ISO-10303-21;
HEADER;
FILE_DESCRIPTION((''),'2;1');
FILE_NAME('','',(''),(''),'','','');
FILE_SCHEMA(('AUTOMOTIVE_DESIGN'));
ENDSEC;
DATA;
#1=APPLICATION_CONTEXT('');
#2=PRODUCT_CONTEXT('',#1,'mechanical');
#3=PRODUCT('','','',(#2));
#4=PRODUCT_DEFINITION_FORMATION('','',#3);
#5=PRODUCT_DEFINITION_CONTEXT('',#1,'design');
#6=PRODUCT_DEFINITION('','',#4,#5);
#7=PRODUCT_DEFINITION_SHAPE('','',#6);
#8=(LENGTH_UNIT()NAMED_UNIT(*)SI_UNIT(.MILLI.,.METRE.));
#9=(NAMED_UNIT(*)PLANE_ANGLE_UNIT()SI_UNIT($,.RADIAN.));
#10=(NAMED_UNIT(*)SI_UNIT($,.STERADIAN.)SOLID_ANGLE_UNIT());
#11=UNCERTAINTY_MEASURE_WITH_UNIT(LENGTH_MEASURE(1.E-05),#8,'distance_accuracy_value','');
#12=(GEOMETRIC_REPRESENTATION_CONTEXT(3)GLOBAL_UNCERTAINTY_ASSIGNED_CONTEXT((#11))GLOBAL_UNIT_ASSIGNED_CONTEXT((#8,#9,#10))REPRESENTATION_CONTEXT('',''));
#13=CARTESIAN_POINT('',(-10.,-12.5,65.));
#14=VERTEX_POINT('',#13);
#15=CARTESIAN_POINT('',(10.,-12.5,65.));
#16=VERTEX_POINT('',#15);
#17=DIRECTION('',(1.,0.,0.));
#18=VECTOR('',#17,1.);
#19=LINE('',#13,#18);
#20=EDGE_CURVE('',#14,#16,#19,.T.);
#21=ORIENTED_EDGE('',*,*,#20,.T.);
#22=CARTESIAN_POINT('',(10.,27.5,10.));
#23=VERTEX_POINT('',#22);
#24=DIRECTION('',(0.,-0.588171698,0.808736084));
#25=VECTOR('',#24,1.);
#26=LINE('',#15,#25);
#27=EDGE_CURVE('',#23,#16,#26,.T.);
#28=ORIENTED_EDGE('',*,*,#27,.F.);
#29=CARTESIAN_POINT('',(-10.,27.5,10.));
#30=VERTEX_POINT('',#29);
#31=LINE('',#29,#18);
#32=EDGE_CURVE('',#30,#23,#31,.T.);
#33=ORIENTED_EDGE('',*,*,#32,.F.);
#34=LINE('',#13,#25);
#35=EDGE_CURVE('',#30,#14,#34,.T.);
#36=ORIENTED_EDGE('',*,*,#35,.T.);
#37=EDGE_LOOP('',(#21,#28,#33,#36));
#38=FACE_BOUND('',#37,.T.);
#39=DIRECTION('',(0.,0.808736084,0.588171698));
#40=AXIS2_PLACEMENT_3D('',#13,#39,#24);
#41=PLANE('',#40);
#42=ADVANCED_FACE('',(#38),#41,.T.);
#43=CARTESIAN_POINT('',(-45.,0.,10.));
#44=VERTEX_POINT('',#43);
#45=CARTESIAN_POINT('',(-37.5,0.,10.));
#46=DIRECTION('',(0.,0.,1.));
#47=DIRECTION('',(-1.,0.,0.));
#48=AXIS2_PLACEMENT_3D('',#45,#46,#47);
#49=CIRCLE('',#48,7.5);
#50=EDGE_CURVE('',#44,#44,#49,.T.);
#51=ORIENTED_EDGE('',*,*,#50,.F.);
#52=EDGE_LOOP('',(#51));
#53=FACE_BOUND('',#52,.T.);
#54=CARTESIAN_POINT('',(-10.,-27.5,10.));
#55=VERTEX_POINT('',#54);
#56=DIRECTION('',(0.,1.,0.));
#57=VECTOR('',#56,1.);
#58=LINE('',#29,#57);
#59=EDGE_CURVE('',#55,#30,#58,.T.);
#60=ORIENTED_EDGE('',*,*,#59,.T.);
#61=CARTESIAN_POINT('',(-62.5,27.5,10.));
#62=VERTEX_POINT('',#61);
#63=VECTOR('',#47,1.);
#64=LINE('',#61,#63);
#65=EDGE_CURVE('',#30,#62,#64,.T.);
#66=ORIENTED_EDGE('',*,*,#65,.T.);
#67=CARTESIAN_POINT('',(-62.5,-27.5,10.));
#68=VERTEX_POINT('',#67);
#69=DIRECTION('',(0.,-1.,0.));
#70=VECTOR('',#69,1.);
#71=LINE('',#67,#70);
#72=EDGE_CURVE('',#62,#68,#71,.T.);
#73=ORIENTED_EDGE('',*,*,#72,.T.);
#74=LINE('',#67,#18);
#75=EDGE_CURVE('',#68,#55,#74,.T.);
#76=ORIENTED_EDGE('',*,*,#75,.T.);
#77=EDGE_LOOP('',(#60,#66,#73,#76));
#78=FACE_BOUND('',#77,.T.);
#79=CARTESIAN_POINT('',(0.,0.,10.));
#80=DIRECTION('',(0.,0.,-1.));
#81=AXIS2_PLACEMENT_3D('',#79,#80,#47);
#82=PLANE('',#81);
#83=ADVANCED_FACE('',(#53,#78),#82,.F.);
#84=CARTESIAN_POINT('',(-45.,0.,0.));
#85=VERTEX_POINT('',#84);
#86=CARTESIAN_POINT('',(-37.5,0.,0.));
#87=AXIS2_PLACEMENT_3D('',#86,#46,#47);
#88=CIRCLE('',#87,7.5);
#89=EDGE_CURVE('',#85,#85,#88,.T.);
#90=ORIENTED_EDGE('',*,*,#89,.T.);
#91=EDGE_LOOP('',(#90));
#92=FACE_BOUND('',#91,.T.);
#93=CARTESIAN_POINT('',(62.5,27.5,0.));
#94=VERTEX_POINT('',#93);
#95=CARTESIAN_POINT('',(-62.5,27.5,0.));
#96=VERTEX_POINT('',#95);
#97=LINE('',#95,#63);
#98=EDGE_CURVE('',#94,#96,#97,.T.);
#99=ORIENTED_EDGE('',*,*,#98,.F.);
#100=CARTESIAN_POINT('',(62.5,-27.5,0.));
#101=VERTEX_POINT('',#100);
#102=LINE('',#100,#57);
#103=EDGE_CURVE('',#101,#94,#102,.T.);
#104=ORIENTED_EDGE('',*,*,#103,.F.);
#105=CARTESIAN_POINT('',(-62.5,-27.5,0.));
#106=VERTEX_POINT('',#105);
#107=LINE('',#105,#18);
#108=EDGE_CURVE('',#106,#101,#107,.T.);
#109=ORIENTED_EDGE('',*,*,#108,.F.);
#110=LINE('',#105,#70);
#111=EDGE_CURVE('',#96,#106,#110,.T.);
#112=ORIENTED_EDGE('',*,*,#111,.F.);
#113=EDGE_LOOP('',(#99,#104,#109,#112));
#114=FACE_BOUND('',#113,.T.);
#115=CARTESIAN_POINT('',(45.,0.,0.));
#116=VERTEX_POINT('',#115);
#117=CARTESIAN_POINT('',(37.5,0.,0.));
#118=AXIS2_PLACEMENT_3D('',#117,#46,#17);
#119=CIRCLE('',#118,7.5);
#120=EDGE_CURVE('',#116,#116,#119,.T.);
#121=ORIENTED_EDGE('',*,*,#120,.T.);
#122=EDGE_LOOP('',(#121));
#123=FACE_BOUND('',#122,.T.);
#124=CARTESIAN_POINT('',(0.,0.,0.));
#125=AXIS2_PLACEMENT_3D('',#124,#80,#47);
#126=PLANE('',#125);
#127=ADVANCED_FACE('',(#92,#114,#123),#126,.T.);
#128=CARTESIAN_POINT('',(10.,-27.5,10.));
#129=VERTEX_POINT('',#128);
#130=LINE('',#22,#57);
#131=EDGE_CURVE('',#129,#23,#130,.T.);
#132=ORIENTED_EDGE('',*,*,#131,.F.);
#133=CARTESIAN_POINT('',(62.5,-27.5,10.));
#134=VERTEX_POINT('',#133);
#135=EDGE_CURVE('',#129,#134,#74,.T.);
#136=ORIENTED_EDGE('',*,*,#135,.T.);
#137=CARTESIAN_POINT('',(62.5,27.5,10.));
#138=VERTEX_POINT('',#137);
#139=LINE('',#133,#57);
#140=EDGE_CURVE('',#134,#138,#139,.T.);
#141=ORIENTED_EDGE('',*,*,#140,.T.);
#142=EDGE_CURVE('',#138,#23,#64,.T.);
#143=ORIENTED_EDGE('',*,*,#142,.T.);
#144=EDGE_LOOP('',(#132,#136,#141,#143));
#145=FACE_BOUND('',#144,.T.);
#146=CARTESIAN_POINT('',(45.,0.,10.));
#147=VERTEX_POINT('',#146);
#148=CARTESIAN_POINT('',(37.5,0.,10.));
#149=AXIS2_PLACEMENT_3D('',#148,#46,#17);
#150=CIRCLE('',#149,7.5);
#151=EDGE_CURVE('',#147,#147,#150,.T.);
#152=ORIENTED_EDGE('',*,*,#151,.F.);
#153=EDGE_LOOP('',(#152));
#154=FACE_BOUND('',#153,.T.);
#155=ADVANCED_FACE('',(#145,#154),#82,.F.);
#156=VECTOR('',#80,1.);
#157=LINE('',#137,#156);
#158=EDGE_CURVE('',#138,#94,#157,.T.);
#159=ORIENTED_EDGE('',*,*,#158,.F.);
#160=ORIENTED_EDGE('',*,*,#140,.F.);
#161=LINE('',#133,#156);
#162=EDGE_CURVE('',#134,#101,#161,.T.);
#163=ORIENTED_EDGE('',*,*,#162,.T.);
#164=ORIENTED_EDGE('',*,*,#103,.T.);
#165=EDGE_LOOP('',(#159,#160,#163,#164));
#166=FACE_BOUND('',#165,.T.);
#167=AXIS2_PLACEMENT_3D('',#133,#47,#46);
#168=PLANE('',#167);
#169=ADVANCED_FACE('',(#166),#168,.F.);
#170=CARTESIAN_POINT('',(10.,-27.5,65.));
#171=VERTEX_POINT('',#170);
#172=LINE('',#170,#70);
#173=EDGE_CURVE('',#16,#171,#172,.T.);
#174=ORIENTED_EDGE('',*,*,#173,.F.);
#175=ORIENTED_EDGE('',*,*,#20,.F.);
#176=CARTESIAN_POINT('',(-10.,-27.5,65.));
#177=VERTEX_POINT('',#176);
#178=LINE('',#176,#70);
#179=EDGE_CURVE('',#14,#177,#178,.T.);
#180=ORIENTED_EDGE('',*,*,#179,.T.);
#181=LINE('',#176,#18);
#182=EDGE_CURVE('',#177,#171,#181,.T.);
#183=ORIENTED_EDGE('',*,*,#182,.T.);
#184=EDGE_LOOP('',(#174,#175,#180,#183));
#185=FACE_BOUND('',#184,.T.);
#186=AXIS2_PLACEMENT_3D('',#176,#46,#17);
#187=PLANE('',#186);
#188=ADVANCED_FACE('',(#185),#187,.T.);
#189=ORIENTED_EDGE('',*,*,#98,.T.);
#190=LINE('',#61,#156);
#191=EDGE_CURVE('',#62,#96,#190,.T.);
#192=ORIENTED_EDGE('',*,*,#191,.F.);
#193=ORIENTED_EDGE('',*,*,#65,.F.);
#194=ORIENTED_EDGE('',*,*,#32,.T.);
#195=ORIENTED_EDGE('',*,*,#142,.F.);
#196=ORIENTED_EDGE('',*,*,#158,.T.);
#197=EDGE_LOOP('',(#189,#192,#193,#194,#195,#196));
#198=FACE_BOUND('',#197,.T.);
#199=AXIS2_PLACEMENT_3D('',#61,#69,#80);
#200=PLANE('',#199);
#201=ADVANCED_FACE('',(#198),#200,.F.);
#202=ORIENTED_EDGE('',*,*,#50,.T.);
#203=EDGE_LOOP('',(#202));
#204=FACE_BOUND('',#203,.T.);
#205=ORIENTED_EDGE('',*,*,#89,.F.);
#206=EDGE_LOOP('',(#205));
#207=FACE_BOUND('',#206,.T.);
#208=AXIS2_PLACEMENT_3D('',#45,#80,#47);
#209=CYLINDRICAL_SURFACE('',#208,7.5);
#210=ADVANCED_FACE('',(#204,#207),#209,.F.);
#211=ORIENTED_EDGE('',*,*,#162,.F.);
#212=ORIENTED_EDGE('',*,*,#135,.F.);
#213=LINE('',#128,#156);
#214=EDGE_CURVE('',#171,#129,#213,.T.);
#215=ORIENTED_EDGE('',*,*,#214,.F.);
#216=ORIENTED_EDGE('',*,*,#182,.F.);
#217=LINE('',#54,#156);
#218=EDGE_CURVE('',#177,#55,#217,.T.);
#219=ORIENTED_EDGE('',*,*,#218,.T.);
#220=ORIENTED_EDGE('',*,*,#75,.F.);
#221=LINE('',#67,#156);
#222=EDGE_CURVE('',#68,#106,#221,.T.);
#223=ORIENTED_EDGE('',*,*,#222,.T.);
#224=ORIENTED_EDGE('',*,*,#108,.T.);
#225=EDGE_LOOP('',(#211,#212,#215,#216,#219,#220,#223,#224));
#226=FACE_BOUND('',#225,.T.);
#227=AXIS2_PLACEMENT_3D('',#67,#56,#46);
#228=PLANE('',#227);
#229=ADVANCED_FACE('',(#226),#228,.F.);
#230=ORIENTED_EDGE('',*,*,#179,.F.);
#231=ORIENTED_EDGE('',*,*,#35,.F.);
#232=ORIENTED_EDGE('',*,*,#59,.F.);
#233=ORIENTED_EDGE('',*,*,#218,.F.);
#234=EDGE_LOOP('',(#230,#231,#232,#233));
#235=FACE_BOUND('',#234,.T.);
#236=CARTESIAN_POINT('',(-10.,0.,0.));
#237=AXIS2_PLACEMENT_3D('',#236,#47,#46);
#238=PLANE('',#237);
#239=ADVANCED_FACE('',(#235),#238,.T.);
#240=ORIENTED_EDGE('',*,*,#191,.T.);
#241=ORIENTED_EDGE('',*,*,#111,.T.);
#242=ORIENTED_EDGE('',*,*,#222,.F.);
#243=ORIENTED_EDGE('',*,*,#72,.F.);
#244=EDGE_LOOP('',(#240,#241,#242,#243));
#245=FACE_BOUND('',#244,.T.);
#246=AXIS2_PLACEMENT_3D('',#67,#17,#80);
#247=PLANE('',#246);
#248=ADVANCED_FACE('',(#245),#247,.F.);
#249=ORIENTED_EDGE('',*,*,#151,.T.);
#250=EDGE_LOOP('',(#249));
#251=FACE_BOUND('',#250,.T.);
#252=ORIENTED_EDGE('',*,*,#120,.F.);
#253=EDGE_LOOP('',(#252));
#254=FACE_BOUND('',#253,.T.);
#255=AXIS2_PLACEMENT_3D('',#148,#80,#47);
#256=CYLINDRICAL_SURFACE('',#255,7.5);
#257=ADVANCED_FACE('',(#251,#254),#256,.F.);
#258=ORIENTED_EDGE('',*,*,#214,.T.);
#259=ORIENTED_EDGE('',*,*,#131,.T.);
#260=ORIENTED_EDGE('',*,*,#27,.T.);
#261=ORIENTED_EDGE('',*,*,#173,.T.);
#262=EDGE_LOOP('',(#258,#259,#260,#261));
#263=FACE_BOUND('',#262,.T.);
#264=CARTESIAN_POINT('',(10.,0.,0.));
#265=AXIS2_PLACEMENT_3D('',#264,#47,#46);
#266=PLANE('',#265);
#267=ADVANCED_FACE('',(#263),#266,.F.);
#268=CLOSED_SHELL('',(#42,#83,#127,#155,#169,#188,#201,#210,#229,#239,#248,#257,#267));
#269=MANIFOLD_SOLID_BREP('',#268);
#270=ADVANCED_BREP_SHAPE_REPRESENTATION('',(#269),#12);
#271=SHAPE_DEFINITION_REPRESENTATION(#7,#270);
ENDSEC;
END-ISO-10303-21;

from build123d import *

# Parameters (mm, degrees)
SKETCH1_W                = 125
SKETCH1_H                = 55
SKETCH1_R                = 7.5
BOSS_EXTRUDE1_DEPTH      = 10
BOSS_EXTRUDE2_DEPTH      = 10
BOSS_EXTRUDE2_DEPTH_BACK = 10


with BuildPart() as part:
    # Sketch1 → Boss-Extrude1 (new body)
    with BuildSketch(Plane.XY):
        Rectangle(SKETCH1_W, SKETCH1_H)
        with Locations((37.5, 0)):
            Circle(SKETCH1_R, mode=Mode.SUBTRACT)
        with Locations(Location((-37.5, 0, 0), (0, 0, 180))):
            Circle(SKETCH1_R, mode=Mode.SUBTRACT)
    extrude(amount=BOSS_EXTRUDE1_DEPTH)

    # Sketch2 → Boss-Extrude2 (add, two sides: drawn at the far end of the back side and taken through both)
    with BuildSketch(Plane(origin=(0, 0, 0), x_dir=(0, 0, -1), z_dir=(1, 0, 0)).offset(-BOSS_EXTRUDE2_DEPTH_BACK)):
        Polygon((-10, -27.5), (-65, -27.5), (-65, -12.5), (-10, 27.5), align=None)
    extrude(amount=BOSS_EXTRUDE2_DEPTH + BOSS_EXTRUDE2_DEPTH_BACK)


solid = part.part
